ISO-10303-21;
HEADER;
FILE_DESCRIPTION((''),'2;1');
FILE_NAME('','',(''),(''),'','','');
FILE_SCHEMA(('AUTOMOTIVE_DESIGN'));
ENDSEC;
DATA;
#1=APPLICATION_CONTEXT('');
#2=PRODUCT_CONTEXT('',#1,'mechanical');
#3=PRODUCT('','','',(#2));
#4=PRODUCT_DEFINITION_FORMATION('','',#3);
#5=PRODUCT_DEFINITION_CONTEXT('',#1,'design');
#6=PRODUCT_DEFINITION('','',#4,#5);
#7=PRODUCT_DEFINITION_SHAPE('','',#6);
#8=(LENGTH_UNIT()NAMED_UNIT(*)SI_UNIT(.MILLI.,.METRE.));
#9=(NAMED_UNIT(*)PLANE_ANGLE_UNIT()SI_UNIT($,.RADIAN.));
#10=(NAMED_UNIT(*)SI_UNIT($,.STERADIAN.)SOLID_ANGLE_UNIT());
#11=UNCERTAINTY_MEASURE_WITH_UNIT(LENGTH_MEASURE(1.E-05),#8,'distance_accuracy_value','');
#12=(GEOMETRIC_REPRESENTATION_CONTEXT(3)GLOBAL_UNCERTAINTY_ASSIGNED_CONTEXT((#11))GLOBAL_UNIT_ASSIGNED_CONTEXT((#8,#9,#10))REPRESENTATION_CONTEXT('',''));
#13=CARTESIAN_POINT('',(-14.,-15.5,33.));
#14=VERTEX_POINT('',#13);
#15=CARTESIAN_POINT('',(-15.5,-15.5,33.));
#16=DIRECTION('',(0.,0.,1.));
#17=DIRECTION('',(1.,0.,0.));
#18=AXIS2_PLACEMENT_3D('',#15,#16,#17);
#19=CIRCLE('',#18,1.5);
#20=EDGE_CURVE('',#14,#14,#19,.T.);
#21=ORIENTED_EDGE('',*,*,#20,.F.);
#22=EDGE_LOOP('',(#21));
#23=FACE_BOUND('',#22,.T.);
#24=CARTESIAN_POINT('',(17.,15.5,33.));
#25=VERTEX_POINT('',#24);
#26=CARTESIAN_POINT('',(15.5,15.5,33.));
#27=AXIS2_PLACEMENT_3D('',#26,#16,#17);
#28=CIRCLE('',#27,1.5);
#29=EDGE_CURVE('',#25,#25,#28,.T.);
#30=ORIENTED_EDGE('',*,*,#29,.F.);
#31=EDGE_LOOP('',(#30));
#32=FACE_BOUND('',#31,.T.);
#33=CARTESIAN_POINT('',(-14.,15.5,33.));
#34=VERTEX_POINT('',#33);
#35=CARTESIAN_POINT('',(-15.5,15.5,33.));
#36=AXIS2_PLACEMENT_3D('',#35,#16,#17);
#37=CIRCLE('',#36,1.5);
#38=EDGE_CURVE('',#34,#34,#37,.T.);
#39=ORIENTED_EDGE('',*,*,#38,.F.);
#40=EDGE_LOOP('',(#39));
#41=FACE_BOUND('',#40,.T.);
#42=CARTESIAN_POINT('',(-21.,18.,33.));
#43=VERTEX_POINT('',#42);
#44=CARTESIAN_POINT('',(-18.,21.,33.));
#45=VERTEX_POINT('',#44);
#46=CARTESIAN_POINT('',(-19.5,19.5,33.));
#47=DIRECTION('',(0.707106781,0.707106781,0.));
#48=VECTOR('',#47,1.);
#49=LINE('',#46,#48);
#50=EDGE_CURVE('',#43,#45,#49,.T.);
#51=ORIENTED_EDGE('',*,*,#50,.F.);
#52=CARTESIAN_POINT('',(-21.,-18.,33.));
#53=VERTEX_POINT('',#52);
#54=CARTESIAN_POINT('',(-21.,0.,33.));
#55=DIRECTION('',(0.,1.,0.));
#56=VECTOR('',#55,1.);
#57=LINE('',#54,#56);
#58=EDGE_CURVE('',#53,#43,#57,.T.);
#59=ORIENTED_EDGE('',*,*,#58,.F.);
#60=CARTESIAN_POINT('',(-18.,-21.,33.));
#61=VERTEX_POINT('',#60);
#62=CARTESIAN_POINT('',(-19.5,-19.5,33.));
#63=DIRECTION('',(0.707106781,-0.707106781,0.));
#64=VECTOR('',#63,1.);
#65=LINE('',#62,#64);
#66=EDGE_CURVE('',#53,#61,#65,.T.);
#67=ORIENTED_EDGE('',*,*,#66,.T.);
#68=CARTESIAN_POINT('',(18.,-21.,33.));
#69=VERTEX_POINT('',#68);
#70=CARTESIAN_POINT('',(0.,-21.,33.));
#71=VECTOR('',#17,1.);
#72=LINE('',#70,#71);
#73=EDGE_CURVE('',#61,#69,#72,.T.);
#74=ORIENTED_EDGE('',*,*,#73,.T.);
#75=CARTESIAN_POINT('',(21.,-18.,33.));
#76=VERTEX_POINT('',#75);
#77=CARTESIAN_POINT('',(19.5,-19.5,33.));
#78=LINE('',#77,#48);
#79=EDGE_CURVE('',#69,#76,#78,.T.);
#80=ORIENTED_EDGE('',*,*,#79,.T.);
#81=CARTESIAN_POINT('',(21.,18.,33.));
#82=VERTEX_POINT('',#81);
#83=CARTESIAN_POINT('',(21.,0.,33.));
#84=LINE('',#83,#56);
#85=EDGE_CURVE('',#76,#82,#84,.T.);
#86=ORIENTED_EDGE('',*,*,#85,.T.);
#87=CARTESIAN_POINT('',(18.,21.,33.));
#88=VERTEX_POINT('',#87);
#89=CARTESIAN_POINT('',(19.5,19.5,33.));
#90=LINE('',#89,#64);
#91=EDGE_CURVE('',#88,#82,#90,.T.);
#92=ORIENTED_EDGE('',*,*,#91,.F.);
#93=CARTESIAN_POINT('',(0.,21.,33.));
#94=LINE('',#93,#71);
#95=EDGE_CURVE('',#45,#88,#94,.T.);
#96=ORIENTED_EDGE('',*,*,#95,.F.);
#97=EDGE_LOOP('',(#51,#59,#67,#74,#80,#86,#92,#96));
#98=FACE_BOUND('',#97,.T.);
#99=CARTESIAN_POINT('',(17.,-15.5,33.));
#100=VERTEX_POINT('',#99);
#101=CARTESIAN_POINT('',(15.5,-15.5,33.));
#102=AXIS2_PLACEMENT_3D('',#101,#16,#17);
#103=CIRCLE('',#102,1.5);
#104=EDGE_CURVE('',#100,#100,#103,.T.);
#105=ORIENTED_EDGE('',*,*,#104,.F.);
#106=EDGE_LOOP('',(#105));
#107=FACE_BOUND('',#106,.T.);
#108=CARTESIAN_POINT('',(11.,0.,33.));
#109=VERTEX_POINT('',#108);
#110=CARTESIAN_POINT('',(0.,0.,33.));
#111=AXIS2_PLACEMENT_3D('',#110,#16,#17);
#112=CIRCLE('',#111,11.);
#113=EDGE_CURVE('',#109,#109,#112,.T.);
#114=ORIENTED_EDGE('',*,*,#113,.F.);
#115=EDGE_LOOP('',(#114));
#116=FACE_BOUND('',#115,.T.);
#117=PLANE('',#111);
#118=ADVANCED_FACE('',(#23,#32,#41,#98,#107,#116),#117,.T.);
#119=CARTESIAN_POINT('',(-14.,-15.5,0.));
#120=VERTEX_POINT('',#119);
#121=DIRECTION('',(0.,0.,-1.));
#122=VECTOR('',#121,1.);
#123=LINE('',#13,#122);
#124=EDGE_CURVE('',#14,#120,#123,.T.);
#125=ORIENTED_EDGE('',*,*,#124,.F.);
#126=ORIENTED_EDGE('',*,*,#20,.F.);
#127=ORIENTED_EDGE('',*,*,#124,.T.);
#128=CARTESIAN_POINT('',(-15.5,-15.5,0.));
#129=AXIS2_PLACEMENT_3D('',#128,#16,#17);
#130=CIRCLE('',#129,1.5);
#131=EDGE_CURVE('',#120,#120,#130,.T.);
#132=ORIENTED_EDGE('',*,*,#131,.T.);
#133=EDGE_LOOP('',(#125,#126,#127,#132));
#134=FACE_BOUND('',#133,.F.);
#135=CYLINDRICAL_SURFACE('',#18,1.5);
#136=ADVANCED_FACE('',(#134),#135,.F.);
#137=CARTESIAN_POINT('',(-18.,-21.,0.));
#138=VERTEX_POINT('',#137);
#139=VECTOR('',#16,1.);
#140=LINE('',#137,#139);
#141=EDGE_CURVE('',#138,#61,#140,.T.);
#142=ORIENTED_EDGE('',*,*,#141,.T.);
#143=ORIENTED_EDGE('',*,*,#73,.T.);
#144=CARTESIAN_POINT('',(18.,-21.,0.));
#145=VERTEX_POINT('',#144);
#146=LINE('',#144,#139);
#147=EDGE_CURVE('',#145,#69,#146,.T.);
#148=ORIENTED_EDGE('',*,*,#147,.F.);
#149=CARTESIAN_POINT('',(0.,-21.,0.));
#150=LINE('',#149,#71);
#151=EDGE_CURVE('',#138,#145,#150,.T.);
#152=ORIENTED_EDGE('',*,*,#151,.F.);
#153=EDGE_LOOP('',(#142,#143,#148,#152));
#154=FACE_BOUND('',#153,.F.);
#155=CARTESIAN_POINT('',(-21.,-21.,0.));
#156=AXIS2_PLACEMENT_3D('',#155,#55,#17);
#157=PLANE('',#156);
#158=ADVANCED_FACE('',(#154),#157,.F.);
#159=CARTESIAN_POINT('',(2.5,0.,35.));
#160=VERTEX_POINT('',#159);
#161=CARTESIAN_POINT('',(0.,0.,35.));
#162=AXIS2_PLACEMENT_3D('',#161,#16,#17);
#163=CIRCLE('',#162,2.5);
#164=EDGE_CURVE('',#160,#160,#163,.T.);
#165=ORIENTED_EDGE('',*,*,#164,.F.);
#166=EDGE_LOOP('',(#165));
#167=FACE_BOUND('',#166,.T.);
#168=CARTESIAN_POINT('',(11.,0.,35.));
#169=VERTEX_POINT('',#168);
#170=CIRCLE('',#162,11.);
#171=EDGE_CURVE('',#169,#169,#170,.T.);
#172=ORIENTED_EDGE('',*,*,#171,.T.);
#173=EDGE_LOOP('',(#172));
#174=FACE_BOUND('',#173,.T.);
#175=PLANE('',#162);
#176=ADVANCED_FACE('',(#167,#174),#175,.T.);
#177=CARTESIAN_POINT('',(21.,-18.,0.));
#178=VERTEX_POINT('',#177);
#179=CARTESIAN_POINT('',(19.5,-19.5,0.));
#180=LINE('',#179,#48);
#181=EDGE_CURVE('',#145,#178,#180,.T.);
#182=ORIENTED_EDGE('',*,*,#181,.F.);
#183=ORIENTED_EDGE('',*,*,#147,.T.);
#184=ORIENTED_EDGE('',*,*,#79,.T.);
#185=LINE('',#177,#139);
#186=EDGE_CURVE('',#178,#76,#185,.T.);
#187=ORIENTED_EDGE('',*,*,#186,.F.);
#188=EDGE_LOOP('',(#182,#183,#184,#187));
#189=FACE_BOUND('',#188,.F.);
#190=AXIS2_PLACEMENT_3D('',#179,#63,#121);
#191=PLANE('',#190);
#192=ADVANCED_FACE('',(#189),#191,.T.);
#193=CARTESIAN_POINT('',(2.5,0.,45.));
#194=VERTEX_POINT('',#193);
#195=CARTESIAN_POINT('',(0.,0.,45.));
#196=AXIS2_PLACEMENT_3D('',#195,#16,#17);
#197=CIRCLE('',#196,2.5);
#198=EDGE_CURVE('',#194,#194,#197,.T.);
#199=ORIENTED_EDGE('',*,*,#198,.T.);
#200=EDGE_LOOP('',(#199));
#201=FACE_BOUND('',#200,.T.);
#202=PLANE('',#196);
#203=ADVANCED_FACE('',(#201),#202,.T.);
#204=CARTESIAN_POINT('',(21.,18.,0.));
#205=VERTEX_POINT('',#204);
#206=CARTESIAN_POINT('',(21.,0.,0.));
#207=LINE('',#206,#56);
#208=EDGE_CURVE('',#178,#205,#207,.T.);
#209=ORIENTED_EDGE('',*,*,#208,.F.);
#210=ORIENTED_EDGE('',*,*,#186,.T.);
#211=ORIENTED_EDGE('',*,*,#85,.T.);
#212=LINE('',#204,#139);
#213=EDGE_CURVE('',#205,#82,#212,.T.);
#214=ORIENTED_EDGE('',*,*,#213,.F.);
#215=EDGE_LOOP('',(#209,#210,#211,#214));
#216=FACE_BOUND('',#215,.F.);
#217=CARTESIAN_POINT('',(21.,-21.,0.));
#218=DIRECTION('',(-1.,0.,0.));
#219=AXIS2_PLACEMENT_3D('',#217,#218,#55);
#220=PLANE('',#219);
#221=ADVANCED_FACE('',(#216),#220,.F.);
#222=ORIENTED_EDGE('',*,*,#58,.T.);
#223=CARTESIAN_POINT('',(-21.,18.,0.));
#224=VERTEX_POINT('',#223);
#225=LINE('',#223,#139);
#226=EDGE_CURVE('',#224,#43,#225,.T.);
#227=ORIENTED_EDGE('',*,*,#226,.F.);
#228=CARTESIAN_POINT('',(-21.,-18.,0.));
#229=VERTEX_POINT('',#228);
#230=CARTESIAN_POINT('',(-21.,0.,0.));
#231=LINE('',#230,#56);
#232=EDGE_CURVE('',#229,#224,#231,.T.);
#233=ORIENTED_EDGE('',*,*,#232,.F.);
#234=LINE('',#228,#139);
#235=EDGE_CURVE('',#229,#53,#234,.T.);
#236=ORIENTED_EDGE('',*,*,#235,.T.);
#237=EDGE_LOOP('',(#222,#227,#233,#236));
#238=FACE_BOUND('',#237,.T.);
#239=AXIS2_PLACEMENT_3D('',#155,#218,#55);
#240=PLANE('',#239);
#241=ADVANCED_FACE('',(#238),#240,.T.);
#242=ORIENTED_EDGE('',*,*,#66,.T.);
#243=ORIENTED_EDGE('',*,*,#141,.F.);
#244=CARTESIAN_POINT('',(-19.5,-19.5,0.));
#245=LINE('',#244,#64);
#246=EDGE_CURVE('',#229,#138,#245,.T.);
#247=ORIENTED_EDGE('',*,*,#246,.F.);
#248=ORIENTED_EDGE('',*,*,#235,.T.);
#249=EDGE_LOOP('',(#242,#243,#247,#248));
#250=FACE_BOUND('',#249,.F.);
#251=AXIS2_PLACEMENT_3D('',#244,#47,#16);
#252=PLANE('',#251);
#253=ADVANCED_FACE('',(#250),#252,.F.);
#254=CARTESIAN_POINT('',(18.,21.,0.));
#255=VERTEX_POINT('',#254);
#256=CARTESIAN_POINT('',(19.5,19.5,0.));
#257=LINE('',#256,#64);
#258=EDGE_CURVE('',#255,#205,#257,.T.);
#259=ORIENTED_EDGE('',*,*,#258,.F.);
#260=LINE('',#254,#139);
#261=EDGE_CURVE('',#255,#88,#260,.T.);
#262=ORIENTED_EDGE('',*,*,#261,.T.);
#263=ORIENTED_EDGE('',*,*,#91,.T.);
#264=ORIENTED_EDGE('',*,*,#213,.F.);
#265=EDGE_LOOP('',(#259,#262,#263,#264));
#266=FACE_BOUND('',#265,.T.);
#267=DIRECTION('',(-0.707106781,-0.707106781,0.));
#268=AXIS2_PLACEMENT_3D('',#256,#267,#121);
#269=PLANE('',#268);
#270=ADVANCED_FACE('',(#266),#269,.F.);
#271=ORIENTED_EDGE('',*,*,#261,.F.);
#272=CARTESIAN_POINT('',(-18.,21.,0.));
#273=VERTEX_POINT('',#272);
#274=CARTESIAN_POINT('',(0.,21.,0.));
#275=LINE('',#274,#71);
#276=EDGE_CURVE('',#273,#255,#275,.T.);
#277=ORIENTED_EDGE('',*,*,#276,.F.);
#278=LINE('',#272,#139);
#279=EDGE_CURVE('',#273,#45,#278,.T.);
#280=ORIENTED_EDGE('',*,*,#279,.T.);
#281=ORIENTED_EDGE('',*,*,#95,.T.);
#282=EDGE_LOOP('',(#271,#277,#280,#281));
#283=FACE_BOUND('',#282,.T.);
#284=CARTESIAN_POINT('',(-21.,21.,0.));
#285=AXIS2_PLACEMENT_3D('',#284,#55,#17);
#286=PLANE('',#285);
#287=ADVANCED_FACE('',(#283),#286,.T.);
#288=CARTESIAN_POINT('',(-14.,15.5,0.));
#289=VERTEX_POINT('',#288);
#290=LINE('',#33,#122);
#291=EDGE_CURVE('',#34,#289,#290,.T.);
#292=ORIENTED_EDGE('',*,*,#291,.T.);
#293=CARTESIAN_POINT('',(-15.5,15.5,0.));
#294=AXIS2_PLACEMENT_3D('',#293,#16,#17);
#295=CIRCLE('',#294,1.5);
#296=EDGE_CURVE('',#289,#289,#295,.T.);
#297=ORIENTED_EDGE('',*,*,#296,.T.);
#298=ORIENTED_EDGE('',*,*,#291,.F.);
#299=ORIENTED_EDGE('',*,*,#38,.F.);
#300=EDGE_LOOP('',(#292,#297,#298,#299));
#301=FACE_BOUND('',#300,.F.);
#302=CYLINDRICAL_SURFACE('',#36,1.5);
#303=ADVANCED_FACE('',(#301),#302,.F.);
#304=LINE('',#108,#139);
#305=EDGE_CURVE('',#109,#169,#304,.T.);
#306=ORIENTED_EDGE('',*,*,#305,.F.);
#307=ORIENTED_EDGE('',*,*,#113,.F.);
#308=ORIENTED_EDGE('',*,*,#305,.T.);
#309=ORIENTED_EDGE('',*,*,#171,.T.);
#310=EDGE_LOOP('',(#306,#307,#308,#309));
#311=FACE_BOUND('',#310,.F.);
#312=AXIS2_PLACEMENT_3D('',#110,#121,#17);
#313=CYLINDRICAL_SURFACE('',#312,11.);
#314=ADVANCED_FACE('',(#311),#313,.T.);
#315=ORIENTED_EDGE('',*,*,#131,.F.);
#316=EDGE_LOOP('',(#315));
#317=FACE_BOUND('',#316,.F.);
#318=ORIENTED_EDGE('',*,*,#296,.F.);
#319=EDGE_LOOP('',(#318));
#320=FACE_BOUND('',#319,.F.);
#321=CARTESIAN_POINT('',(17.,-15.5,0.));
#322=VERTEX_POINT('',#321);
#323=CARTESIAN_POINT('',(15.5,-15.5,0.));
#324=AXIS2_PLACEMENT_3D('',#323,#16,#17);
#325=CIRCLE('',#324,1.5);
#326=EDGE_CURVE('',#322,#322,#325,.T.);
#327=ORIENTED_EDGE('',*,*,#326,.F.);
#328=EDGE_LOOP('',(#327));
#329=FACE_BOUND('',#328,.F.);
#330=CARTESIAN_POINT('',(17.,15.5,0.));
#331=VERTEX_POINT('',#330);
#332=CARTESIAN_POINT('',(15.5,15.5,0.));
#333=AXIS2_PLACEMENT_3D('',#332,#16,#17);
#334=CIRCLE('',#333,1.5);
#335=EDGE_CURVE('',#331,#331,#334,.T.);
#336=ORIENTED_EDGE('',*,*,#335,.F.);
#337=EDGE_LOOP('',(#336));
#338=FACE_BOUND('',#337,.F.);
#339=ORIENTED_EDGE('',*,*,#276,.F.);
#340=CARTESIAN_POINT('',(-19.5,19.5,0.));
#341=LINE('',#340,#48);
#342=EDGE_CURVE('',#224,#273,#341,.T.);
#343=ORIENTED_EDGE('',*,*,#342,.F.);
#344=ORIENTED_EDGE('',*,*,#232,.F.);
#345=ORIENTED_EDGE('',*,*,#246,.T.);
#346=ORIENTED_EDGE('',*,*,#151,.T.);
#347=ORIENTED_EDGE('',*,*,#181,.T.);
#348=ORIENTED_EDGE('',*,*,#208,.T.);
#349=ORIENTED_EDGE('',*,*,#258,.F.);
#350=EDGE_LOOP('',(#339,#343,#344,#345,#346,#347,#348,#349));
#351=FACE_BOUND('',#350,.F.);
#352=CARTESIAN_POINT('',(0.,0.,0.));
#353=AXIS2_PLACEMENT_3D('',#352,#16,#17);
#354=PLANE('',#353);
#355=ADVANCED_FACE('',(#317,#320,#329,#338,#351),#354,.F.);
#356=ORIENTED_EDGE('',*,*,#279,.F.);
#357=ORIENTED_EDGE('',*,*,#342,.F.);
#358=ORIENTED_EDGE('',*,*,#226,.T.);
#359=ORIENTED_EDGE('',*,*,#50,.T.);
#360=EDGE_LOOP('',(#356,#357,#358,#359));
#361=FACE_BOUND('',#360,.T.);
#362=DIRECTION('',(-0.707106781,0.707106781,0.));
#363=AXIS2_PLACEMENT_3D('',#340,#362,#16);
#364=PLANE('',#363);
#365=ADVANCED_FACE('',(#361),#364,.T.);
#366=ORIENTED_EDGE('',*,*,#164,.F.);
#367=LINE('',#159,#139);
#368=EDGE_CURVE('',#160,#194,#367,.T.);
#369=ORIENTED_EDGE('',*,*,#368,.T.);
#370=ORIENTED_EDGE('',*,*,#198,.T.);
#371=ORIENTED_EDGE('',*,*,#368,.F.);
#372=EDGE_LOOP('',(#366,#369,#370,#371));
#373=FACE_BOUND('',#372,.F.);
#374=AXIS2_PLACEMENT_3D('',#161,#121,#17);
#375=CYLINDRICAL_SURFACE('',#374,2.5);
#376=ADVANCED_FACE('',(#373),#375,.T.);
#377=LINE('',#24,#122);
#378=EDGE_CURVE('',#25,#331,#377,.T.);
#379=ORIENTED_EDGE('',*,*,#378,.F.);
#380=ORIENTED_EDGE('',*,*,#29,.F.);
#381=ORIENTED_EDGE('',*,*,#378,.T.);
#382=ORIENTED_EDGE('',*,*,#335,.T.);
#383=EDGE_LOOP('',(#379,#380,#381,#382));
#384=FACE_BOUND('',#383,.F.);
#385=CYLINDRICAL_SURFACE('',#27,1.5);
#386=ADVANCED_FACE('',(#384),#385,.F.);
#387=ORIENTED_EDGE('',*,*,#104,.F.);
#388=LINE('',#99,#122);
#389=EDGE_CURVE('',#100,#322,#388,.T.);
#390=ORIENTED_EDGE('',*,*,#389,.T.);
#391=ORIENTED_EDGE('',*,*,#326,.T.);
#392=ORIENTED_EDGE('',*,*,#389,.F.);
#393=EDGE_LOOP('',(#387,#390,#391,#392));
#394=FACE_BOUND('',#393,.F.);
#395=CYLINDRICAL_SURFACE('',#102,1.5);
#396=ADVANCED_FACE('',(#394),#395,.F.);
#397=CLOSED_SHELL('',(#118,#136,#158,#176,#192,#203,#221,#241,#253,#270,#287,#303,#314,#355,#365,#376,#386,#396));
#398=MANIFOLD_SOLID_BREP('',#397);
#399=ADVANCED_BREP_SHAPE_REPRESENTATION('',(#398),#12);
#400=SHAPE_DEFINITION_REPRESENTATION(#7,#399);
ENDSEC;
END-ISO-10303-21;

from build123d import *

# Parameters (mm, degrees)
F0_W     = 42
F0_H     = 42
F1_DEPTH = 33
F2_R     = 11
F3_DEPTH = 2
F4_R     = 2.5
F5_DEPTH = 10
F6_R     = 1.5
F7_DEPTH = 33.001
F8_SIZE  = 3


with BuildPart() as f1:
    # F0 (on Top) → F1 (new body)
    with BuildSketch(Plane.XY):
        Rectangle(F0_W, F0_H)
    extrude(amount=F1_DEPTH)

    # F2 (on face) → F3 (join)
    with BuildSketch(Plane.XY.offset(33)):
        Circle(F2_R)
    extrude(amount=F3_DEPTH)

    # F4 (on face) → F5 (join)
    with BuildSketch(Plane.XY.offset(35)):
        Circle(F4_R)
    extrude(amount=F5_DEPTH)

    # F6 (on face) → F7 (cut, through all)
    with BuildSketch(Plane.XY.offset(33)):
        with Locations((-15.5, 15.5)):
            Circle(F6_R)
        with Locations((15.5, 15.5)):
            Circle(F6_R)
        with Locations((15.5, -15.5)):
            Circle(F6_R)
        with Locations((-15.5, -15.5)):
            Circle(F6_R)
    extrude(amount=-F7_DEPTH, mode=Mode.SUBTRACT)

    # F8
    f8_edges = [f1.edges().sort_by_distance(p)[0] for p in [
        (-21, 21, 16.5),
        (21, 21, 16.5),
        (21, -21, 16.5),
        (-21, -21, 16.5),
    ]]
    chamfer(f8_edges, length=F8_SIZE)


solid = f1.part
